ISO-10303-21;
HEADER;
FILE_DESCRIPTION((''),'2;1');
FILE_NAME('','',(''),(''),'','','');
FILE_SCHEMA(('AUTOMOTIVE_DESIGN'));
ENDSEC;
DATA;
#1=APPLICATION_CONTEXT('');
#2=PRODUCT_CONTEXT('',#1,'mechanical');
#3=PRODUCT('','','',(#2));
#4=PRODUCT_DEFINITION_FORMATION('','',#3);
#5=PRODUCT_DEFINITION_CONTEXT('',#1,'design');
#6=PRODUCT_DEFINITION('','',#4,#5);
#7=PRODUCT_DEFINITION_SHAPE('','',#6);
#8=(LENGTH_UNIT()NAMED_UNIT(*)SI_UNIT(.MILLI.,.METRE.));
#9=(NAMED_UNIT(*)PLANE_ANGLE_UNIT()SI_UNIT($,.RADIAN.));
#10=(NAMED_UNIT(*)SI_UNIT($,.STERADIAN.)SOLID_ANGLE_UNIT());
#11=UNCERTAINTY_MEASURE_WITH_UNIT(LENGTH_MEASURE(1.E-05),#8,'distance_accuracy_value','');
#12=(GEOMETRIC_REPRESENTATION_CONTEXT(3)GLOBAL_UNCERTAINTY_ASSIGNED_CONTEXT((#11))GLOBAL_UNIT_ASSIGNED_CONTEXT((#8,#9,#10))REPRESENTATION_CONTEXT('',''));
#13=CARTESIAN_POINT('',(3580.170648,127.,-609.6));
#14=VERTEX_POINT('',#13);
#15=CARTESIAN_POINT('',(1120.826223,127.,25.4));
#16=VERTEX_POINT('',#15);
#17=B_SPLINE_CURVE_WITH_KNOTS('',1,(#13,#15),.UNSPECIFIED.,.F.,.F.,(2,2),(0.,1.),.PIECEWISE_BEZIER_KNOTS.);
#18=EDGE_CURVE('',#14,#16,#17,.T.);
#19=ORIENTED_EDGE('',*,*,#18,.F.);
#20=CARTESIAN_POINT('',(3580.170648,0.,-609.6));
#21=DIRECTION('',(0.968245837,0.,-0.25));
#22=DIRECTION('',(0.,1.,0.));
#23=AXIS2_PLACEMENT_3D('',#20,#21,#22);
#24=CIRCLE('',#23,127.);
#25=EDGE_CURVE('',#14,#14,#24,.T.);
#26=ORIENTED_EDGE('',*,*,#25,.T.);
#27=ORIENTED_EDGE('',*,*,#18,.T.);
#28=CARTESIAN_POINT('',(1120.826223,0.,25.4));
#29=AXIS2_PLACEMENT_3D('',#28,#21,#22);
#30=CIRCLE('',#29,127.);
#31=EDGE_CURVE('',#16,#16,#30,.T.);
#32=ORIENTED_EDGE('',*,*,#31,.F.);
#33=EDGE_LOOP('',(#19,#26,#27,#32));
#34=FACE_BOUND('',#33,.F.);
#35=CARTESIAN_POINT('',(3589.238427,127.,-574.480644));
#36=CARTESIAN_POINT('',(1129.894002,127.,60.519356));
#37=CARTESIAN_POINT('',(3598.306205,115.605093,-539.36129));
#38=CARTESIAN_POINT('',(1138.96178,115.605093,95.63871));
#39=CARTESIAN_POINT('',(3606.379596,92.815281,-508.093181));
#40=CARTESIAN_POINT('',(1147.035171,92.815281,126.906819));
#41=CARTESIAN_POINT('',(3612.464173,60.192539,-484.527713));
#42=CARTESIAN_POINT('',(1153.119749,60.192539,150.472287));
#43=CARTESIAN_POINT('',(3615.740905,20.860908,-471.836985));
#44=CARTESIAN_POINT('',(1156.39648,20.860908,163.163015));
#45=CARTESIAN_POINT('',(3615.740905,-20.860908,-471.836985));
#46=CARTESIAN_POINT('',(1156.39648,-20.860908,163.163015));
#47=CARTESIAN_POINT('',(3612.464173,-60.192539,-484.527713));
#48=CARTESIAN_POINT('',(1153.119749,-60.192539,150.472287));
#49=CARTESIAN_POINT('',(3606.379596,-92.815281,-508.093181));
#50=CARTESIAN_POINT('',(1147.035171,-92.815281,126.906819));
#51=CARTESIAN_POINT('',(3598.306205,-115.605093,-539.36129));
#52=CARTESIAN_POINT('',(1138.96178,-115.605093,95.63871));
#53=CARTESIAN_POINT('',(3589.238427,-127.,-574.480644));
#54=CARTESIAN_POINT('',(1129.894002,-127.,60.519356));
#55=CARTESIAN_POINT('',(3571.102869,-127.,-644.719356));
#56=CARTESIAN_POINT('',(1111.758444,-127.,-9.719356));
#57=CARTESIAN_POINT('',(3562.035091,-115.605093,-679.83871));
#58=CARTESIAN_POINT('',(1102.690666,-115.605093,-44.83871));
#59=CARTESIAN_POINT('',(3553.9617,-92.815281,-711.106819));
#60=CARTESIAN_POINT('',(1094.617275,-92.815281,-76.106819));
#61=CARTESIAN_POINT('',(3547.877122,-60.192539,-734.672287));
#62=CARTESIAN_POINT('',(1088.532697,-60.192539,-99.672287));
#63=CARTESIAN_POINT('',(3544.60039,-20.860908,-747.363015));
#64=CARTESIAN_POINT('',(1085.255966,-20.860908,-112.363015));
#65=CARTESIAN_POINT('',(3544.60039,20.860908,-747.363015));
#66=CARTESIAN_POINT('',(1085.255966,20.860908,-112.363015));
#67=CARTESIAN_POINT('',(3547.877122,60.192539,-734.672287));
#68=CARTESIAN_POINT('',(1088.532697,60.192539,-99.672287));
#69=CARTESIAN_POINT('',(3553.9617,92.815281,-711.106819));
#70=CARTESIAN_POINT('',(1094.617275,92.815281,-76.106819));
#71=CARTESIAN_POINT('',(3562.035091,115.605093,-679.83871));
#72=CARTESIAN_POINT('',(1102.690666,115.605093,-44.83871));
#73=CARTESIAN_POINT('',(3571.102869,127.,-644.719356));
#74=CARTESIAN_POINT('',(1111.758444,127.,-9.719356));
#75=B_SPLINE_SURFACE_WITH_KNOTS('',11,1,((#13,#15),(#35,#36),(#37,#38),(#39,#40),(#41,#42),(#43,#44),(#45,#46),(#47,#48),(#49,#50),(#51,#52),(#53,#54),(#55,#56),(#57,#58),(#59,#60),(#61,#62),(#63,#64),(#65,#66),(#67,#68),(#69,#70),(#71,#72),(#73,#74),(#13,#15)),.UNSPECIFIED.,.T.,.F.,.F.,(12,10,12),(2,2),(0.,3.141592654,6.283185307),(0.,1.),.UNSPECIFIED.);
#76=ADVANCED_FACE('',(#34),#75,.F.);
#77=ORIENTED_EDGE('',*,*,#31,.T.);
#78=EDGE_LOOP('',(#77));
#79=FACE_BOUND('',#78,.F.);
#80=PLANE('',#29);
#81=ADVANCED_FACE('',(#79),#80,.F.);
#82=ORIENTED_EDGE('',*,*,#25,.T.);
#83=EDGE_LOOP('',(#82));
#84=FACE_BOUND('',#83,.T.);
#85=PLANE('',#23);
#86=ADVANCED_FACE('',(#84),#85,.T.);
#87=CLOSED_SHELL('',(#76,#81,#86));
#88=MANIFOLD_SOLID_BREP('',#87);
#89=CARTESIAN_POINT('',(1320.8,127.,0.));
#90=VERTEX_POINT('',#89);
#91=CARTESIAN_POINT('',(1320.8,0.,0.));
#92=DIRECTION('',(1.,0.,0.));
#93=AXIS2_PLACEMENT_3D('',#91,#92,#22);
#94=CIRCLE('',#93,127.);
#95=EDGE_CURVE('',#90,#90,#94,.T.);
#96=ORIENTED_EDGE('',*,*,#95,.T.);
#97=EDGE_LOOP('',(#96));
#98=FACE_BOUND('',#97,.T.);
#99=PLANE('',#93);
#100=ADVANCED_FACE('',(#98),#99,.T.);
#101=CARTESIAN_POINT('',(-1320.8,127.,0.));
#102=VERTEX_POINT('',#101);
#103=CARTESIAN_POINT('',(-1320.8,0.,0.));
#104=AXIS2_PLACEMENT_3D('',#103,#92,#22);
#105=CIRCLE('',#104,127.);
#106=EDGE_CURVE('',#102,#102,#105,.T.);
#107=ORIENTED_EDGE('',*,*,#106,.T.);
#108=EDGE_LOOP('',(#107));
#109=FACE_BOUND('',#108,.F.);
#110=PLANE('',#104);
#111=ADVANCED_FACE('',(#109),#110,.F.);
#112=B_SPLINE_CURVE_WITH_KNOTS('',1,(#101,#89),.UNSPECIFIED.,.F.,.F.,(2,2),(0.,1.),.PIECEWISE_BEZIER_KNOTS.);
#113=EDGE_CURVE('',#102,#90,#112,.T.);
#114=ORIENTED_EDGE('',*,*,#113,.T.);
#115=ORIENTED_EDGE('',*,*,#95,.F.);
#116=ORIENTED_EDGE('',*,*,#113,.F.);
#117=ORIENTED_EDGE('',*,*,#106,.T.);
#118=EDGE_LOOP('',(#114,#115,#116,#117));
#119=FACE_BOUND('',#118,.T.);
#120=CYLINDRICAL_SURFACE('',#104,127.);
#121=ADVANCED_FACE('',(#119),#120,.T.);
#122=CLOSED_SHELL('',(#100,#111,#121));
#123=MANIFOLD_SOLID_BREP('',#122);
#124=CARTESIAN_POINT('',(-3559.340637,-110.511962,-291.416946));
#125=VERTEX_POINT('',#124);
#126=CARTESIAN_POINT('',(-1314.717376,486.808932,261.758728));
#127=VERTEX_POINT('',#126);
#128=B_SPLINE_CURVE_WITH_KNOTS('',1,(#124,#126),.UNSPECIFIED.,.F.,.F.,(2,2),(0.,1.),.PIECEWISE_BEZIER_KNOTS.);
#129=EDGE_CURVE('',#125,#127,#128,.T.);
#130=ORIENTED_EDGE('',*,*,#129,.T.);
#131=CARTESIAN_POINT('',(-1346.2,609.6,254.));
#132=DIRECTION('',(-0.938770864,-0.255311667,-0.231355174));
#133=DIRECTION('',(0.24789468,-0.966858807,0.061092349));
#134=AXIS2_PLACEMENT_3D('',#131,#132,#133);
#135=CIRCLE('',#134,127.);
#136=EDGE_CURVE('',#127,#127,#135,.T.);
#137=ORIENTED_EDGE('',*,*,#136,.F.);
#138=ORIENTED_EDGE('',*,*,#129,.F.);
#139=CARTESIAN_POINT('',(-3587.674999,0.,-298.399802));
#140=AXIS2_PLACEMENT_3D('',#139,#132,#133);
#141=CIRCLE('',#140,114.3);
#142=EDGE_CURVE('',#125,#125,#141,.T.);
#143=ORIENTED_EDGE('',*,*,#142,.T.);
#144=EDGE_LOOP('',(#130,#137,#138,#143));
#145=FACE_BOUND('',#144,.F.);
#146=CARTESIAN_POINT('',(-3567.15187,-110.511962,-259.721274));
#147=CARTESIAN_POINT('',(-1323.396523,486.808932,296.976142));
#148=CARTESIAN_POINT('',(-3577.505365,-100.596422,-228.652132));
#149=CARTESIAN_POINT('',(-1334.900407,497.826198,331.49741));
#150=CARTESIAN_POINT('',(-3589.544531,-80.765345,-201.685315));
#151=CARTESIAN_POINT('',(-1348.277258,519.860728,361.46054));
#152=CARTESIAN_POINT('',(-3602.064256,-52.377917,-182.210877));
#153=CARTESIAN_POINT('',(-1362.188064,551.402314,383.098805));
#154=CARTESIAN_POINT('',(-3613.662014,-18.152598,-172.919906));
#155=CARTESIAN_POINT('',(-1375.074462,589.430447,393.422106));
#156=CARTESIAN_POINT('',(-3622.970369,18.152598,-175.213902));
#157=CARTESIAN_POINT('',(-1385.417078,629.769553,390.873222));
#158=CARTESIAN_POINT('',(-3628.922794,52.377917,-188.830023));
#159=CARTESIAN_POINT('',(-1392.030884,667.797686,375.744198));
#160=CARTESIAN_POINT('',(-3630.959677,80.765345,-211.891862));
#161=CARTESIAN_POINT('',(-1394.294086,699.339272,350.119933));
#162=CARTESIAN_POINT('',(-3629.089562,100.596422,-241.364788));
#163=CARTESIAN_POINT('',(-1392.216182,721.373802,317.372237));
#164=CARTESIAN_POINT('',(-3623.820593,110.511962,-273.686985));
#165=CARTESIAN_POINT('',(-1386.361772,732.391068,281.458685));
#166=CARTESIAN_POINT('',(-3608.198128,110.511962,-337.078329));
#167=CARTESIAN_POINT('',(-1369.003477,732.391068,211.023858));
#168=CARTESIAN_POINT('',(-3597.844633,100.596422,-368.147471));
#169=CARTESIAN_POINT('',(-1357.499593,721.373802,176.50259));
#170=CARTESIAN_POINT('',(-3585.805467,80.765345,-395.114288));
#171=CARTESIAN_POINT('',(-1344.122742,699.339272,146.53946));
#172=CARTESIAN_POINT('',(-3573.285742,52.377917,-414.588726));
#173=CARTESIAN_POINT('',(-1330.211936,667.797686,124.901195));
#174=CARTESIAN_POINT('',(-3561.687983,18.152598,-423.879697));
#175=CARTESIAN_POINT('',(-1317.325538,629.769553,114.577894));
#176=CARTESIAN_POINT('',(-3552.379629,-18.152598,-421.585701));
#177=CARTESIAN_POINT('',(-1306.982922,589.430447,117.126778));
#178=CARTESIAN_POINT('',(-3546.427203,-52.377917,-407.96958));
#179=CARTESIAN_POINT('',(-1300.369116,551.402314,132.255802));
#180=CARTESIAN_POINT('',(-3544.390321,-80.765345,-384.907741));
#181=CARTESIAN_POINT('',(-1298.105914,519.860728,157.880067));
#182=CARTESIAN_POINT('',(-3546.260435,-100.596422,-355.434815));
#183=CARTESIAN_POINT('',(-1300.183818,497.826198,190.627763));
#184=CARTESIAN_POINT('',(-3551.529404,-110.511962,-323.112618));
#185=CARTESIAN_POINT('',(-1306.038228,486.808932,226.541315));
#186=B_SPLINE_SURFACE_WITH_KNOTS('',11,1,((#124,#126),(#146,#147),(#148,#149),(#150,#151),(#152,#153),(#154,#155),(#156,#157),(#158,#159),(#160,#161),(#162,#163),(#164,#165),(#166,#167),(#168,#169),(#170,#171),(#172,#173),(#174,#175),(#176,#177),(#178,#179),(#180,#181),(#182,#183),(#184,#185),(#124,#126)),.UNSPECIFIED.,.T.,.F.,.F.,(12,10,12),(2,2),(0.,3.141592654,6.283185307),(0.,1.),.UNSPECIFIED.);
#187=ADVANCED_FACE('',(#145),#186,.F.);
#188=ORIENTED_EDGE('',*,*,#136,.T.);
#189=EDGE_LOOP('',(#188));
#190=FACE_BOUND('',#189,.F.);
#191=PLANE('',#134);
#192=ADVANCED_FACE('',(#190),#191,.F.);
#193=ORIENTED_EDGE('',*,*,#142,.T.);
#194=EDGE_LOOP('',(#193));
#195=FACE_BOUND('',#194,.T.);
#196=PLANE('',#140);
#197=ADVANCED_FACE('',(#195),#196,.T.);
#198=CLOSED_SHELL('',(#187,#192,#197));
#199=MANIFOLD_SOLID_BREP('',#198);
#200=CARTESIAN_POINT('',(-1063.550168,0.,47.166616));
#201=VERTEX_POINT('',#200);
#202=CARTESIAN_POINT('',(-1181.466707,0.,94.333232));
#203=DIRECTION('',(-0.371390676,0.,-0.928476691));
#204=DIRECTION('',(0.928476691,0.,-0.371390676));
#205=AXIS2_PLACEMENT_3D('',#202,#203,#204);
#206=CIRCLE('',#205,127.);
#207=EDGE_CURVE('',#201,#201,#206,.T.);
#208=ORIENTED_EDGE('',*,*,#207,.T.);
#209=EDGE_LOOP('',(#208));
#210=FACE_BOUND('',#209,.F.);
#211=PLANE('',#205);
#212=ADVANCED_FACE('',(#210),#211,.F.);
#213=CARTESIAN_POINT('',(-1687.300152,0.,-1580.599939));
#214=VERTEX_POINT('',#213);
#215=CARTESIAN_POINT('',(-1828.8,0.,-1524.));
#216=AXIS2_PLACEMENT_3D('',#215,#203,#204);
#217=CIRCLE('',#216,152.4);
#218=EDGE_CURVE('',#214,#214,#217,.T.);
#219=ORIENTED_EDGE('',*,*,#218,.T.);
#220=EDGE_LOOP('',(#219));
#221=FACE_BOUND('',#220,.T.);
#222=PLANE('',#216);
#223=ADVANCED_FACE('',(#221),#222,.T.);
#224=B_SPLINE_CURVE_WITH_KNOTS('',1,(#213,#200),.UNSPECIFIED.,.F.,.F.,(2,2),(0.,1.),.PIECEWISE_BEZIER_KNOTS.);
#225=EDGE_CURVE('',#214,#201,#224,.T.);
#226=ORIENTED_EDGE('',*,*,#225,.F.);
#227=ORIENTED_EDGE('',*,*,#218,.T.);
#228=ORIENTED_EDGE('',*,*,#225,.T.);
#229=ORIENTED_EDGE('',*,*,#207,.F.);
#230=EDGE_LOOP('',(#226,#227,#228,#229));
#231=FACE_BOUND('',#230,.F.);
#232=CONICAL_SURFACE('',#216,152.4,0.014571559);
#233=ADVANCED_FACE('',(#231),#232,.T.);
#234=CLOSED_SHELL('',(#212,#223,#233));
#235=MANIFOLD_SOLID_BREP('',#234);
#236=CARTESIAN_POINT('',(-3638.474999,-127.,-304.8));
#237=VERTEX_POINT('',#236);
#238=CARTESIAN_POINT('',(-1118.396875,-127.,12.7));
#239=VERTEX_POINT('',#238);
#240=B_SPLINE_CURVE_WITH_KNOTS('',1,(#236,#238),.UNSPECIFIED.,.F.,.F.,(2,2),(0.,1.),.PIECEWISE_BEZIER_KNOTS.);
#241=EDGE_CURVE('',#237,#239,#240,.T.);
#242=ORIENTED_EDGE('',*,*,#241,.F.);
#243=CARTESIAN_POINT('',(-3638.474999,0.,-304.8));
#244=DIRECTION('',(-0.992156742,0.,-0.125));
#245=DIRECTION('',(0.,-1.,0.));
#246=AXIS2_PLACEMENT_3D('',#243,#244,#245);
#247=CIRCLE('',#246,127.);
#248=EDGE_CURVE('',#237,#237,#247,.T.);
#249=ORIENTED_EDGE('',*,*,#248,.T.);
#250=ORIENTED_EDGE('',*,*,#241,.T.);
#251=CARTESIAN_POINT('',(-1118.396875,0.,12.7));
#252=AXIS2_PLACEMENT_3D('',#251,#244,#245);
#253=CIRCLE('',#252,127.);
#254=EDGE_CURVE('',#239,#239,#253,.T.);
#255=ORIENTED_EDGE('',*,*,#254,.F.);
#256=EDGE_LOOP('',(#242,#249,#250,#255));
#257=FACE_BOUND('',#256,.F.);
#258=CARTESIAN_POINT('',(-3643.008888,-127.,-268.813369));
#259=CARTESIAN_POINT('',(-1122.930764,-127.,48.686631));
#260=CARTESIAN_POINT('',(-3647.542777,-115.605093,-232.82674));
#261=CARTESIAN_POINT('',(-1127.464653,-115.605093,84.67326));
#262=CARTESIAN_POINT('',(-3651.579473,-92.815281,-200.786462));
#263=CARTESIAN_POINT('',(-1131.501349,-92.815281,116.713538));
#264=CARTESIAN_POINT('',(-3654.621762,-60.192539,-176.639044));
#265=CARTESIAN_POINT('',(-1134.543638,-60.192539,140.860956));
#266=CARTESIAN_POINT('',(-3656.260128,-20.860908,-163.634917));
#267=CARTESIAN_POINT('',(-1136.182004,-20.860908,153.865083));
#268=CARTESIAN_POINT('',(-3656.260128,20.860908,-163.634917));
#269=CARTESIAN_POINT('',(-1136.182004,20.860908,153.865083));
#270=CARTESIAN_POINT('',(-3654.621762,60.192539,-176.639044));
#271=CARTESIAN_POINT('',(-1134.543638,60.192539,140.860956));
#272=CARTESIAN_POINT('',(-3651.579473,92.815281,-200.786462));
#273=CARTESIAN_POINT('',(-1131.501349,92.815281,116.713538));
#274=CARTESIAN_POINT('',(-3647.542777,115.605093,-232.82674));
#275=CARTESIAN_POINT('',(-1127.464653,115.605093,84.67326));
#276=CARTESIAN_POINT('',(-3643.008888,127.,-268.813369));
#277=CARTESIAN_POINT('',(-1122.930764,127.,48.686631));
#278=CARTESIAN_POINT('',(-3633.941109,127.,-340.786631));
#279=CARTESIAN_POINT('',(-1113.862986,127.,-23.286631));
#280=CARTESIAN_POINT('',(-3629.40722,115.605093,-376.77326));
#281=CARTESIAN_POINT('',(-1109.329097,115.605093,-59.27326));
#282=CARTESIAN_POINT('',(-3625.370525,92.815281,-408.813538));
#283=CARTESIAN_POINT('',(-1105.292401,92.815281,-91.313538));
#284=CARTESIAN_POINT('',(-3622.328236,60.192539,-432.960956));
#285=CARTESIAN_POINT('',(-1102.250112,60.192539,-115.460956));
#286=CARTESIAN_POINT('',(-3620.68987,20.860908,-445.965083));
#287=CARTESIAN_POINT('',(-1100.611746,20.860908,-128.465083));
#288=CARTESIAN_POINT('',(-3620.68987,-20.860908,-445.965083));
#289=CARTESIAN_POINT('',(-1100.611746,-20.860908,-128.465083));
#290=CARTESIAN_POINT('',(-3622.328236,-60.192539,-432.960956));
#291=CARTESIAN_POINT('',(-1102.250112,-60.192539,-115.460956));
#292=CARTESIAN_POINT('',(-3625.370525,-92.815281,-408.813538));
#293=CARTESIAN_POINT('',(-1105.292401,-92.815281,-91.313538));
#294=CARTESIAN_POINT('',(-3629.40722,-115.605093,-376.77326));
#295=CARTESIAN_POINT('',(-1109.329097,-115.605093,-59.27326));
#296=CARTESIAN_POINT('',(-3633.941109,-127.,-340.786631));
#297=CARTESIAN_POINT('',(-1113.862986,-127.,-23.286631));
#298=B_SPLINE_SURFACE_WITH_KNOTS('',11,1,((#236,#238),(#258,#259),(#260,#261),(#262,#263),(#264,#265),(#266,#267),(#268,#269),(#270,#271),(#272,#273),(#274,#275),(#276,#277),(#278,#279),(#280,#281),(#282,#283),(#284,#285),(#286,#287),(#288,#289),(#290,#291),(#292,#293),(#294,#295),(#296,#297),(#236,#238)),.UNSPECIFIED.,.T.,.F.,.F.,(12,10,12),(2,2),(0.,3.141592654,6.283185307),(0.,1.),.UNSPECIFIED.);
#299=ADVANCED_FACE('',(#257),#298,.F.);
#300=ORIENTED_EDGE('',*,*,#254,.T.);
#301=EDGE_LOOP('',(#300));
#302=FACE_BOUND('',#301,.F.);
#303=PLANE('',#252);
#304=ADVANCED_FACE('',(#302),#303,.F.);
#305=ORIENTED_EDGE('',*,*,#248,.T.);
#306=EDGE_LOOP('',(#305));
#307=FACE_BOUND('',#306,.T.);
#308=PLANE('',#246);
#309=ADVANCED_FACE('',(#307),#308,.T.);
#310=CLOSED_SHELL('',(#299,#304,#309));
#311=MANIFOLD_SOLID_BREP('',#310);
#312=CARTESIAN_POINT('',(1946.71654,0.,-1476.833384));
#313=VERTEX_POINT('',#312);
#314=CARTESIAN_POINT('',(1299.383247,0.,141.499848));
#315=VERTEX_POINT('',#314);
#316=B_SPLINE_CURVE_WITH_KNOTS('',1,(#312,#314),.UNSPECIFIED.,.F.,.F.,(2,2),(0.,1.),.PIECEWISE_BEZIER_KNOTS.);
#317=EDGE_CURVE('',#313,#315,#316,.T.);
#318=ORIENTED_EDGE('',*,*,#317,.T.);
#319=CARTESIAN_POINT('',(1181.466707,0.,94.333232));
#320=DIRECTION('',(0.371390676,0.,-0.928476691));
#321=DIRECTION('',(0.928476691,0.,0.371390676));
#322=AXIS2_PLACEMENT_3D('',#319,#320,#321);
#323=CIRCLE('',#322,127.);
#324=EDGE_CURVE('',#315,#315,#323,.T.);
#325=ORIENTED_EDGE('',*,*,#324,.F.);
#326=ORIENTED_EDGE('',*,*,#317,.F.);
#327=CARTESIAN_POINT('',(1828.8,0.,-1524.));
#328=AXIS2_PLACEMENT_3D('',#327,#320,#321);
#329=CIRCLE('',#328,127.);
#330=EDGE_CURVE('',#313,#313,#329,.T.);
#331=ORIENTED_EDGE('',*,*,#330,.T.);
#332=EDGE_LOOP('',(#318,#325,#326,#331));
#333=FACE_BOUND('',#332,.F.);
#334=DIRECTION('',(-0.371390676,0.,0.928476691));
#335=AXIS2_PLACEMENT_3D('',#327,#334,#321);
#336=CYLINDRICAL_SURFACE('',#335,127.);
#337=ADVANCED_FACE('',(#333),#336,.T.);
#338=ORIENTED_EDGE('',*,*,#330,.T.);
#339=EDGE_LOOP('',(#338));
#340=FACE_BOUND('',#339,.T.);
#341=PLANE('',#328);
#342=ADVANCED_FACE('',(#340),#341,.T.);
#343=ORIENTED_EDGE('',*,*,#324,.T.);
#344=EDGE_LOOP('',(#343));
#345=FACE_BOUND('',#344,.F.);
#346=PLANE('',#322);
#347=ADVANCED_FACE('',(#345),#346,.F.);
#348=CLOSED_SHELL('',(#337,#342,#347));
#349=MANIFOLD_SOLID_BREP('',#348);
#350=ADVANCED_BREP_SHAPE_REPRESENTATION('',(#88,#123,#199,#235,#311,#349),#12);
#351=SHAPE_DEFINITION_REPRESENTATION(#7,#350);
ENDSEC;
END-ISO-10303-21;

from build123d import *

# Parameters (mm, degrees)
F5_R  = 127
F6_R  = 127
F10_R = 152.4
F11_R = 127
F16_R = 127
F15_R = 127
F20_R = 127
F21_R = 127
F26_R = 127
F25_R = 127
F34_R = 114.3
F33_R = 127


with BuildPart() as f7:
    # F5 (on line) → F7 section 0
    with BuildSketch(Plane(origin=(-3619.4249988375, 0, -456.0046874273), x_dir=(0, -1, 0), z_dir=(-0.9921567416, 0, -0.125))):
        with Locations((0, 152.4)):
            Circle(F5_R)
    # F6 (on line) → F7 section 1
    with BuildSketch(Plane(origin=(-1099.3468750484, 0, -138.5046874273), x_dir=(0, -1, 0), z_dir=(-0.9921567416, 0, -0.125))):
        with Locations((0, 152.4)):
            Circle(F6_R)
    loft()


with BuildPart() as f12:
    # F10 (on line) → F12 section 0
    with BuildSketch(Plane(origin=(-777.7655172414, 0, -1944.4137931034), x_dir=(0.9284766909, 0, -0.3713906764), z_dir=(-0.3713906764, 0, -0.9284766909))):
        with Locations((-1131.9987815273, 0)):
            Circle(F10_R)
    # F11 (on line) → F12 section 1
    with BuildSketch(Plane(origin=(-130.4322245238, 0, -326.0805613095), x_dir=(0.9284766909, 0, -0.3713906764), z_dir=(-0.3713906764, 0, -0.9284766909))):
        with Locations((-1131.9987815273, 0)):
            Circle(F11_R)
    loft()


with BuildPart() as f17:
    # F16 (on line) → F17 section 0
    with BuildSketch(Plane.YZ.offset(-1320.8)):
        Circle(F16_R)
    # F15 (on line) → F17 section 1
    with BuildSketch(Plane.YZ.offset(1320.8)):
        Circle(F15_R)
    loft()


with BuildPart() as f22:
    # F20 (on line) → F22 section 0
    with BuildSketch(Plane(origin=(3503.970647848, 0, -904.721330981), x_dir=(0, 1, 0), z_dir=(0.9682458366, 0, -0.25))):
        with Locations((0, 304.8)):
            Circle(F20_R)
    # F21 (on line) → F22 section 1
    with BuildSketch(Plane(origin=(1044.6262230063, 0, -269.721330981), x_dir=(0, 1, 0), z_dir=(0.9682458366, 0, -0.25))):
        with Locations((0, 304.8)):
            Circle(F21_R)
    loft()


with BuildPart() as f27:
    # F26 (on line) → F27 section 0
    with BuildSketch(Plane(origin=(777.7655172414, 0, -1944.4137931034), x_dir=(0.9284766909, 0, 0.3713906764), z_dir=(0.3713906764, 0, -0.9284766909))):
        with Locations((1131.9987815273, 0)):
            Circle(F26_R)
    # F25 (on line) → F27 section 1
    with BuildSketch(Plane(origin=(130.4322245238, 0, -326.0805613095), x_dir=(0.9284766909, 0, 0.3713906764), z_dir=(0.3713906764, 0, -0.9284766909))):
        with Locations((1131.9987815273, 0)):
            Circle(F25_R)
    loft()


with BuildPart() as f35:
    # F34 (on line) → F35 section 0
    with BuildSketch(Plane(origin=(-3226.5940426286, -877.5166929841, -795.1772426126), x_dir=(0.24789468, -0.966858807, 0.0610923486), z_dir=(-0.9387708644, -0.2553116672, -0.2313551744))):
        with Locations((-907.5954903344, 568.7470925075)):
            Circle(F34_R)
    # F33 (on line) → F35 section 1
    with BuildSketch(Plane(origin=(-985.1190437912, -267.9166929841, -242.7774410223), x_dir=(0.24789468, -0.966858807, 0.0610923486), z_dir=(-0.9387708644, -0.2553116672, -0.2313551744))):
        with Locations((-907.5954903344, 568.7470925075)):
            Circle(F33_R)
    loft()


solid = Compound([f7.part, f12.part, f17.part, f22.part, f27.part, f35.part])
